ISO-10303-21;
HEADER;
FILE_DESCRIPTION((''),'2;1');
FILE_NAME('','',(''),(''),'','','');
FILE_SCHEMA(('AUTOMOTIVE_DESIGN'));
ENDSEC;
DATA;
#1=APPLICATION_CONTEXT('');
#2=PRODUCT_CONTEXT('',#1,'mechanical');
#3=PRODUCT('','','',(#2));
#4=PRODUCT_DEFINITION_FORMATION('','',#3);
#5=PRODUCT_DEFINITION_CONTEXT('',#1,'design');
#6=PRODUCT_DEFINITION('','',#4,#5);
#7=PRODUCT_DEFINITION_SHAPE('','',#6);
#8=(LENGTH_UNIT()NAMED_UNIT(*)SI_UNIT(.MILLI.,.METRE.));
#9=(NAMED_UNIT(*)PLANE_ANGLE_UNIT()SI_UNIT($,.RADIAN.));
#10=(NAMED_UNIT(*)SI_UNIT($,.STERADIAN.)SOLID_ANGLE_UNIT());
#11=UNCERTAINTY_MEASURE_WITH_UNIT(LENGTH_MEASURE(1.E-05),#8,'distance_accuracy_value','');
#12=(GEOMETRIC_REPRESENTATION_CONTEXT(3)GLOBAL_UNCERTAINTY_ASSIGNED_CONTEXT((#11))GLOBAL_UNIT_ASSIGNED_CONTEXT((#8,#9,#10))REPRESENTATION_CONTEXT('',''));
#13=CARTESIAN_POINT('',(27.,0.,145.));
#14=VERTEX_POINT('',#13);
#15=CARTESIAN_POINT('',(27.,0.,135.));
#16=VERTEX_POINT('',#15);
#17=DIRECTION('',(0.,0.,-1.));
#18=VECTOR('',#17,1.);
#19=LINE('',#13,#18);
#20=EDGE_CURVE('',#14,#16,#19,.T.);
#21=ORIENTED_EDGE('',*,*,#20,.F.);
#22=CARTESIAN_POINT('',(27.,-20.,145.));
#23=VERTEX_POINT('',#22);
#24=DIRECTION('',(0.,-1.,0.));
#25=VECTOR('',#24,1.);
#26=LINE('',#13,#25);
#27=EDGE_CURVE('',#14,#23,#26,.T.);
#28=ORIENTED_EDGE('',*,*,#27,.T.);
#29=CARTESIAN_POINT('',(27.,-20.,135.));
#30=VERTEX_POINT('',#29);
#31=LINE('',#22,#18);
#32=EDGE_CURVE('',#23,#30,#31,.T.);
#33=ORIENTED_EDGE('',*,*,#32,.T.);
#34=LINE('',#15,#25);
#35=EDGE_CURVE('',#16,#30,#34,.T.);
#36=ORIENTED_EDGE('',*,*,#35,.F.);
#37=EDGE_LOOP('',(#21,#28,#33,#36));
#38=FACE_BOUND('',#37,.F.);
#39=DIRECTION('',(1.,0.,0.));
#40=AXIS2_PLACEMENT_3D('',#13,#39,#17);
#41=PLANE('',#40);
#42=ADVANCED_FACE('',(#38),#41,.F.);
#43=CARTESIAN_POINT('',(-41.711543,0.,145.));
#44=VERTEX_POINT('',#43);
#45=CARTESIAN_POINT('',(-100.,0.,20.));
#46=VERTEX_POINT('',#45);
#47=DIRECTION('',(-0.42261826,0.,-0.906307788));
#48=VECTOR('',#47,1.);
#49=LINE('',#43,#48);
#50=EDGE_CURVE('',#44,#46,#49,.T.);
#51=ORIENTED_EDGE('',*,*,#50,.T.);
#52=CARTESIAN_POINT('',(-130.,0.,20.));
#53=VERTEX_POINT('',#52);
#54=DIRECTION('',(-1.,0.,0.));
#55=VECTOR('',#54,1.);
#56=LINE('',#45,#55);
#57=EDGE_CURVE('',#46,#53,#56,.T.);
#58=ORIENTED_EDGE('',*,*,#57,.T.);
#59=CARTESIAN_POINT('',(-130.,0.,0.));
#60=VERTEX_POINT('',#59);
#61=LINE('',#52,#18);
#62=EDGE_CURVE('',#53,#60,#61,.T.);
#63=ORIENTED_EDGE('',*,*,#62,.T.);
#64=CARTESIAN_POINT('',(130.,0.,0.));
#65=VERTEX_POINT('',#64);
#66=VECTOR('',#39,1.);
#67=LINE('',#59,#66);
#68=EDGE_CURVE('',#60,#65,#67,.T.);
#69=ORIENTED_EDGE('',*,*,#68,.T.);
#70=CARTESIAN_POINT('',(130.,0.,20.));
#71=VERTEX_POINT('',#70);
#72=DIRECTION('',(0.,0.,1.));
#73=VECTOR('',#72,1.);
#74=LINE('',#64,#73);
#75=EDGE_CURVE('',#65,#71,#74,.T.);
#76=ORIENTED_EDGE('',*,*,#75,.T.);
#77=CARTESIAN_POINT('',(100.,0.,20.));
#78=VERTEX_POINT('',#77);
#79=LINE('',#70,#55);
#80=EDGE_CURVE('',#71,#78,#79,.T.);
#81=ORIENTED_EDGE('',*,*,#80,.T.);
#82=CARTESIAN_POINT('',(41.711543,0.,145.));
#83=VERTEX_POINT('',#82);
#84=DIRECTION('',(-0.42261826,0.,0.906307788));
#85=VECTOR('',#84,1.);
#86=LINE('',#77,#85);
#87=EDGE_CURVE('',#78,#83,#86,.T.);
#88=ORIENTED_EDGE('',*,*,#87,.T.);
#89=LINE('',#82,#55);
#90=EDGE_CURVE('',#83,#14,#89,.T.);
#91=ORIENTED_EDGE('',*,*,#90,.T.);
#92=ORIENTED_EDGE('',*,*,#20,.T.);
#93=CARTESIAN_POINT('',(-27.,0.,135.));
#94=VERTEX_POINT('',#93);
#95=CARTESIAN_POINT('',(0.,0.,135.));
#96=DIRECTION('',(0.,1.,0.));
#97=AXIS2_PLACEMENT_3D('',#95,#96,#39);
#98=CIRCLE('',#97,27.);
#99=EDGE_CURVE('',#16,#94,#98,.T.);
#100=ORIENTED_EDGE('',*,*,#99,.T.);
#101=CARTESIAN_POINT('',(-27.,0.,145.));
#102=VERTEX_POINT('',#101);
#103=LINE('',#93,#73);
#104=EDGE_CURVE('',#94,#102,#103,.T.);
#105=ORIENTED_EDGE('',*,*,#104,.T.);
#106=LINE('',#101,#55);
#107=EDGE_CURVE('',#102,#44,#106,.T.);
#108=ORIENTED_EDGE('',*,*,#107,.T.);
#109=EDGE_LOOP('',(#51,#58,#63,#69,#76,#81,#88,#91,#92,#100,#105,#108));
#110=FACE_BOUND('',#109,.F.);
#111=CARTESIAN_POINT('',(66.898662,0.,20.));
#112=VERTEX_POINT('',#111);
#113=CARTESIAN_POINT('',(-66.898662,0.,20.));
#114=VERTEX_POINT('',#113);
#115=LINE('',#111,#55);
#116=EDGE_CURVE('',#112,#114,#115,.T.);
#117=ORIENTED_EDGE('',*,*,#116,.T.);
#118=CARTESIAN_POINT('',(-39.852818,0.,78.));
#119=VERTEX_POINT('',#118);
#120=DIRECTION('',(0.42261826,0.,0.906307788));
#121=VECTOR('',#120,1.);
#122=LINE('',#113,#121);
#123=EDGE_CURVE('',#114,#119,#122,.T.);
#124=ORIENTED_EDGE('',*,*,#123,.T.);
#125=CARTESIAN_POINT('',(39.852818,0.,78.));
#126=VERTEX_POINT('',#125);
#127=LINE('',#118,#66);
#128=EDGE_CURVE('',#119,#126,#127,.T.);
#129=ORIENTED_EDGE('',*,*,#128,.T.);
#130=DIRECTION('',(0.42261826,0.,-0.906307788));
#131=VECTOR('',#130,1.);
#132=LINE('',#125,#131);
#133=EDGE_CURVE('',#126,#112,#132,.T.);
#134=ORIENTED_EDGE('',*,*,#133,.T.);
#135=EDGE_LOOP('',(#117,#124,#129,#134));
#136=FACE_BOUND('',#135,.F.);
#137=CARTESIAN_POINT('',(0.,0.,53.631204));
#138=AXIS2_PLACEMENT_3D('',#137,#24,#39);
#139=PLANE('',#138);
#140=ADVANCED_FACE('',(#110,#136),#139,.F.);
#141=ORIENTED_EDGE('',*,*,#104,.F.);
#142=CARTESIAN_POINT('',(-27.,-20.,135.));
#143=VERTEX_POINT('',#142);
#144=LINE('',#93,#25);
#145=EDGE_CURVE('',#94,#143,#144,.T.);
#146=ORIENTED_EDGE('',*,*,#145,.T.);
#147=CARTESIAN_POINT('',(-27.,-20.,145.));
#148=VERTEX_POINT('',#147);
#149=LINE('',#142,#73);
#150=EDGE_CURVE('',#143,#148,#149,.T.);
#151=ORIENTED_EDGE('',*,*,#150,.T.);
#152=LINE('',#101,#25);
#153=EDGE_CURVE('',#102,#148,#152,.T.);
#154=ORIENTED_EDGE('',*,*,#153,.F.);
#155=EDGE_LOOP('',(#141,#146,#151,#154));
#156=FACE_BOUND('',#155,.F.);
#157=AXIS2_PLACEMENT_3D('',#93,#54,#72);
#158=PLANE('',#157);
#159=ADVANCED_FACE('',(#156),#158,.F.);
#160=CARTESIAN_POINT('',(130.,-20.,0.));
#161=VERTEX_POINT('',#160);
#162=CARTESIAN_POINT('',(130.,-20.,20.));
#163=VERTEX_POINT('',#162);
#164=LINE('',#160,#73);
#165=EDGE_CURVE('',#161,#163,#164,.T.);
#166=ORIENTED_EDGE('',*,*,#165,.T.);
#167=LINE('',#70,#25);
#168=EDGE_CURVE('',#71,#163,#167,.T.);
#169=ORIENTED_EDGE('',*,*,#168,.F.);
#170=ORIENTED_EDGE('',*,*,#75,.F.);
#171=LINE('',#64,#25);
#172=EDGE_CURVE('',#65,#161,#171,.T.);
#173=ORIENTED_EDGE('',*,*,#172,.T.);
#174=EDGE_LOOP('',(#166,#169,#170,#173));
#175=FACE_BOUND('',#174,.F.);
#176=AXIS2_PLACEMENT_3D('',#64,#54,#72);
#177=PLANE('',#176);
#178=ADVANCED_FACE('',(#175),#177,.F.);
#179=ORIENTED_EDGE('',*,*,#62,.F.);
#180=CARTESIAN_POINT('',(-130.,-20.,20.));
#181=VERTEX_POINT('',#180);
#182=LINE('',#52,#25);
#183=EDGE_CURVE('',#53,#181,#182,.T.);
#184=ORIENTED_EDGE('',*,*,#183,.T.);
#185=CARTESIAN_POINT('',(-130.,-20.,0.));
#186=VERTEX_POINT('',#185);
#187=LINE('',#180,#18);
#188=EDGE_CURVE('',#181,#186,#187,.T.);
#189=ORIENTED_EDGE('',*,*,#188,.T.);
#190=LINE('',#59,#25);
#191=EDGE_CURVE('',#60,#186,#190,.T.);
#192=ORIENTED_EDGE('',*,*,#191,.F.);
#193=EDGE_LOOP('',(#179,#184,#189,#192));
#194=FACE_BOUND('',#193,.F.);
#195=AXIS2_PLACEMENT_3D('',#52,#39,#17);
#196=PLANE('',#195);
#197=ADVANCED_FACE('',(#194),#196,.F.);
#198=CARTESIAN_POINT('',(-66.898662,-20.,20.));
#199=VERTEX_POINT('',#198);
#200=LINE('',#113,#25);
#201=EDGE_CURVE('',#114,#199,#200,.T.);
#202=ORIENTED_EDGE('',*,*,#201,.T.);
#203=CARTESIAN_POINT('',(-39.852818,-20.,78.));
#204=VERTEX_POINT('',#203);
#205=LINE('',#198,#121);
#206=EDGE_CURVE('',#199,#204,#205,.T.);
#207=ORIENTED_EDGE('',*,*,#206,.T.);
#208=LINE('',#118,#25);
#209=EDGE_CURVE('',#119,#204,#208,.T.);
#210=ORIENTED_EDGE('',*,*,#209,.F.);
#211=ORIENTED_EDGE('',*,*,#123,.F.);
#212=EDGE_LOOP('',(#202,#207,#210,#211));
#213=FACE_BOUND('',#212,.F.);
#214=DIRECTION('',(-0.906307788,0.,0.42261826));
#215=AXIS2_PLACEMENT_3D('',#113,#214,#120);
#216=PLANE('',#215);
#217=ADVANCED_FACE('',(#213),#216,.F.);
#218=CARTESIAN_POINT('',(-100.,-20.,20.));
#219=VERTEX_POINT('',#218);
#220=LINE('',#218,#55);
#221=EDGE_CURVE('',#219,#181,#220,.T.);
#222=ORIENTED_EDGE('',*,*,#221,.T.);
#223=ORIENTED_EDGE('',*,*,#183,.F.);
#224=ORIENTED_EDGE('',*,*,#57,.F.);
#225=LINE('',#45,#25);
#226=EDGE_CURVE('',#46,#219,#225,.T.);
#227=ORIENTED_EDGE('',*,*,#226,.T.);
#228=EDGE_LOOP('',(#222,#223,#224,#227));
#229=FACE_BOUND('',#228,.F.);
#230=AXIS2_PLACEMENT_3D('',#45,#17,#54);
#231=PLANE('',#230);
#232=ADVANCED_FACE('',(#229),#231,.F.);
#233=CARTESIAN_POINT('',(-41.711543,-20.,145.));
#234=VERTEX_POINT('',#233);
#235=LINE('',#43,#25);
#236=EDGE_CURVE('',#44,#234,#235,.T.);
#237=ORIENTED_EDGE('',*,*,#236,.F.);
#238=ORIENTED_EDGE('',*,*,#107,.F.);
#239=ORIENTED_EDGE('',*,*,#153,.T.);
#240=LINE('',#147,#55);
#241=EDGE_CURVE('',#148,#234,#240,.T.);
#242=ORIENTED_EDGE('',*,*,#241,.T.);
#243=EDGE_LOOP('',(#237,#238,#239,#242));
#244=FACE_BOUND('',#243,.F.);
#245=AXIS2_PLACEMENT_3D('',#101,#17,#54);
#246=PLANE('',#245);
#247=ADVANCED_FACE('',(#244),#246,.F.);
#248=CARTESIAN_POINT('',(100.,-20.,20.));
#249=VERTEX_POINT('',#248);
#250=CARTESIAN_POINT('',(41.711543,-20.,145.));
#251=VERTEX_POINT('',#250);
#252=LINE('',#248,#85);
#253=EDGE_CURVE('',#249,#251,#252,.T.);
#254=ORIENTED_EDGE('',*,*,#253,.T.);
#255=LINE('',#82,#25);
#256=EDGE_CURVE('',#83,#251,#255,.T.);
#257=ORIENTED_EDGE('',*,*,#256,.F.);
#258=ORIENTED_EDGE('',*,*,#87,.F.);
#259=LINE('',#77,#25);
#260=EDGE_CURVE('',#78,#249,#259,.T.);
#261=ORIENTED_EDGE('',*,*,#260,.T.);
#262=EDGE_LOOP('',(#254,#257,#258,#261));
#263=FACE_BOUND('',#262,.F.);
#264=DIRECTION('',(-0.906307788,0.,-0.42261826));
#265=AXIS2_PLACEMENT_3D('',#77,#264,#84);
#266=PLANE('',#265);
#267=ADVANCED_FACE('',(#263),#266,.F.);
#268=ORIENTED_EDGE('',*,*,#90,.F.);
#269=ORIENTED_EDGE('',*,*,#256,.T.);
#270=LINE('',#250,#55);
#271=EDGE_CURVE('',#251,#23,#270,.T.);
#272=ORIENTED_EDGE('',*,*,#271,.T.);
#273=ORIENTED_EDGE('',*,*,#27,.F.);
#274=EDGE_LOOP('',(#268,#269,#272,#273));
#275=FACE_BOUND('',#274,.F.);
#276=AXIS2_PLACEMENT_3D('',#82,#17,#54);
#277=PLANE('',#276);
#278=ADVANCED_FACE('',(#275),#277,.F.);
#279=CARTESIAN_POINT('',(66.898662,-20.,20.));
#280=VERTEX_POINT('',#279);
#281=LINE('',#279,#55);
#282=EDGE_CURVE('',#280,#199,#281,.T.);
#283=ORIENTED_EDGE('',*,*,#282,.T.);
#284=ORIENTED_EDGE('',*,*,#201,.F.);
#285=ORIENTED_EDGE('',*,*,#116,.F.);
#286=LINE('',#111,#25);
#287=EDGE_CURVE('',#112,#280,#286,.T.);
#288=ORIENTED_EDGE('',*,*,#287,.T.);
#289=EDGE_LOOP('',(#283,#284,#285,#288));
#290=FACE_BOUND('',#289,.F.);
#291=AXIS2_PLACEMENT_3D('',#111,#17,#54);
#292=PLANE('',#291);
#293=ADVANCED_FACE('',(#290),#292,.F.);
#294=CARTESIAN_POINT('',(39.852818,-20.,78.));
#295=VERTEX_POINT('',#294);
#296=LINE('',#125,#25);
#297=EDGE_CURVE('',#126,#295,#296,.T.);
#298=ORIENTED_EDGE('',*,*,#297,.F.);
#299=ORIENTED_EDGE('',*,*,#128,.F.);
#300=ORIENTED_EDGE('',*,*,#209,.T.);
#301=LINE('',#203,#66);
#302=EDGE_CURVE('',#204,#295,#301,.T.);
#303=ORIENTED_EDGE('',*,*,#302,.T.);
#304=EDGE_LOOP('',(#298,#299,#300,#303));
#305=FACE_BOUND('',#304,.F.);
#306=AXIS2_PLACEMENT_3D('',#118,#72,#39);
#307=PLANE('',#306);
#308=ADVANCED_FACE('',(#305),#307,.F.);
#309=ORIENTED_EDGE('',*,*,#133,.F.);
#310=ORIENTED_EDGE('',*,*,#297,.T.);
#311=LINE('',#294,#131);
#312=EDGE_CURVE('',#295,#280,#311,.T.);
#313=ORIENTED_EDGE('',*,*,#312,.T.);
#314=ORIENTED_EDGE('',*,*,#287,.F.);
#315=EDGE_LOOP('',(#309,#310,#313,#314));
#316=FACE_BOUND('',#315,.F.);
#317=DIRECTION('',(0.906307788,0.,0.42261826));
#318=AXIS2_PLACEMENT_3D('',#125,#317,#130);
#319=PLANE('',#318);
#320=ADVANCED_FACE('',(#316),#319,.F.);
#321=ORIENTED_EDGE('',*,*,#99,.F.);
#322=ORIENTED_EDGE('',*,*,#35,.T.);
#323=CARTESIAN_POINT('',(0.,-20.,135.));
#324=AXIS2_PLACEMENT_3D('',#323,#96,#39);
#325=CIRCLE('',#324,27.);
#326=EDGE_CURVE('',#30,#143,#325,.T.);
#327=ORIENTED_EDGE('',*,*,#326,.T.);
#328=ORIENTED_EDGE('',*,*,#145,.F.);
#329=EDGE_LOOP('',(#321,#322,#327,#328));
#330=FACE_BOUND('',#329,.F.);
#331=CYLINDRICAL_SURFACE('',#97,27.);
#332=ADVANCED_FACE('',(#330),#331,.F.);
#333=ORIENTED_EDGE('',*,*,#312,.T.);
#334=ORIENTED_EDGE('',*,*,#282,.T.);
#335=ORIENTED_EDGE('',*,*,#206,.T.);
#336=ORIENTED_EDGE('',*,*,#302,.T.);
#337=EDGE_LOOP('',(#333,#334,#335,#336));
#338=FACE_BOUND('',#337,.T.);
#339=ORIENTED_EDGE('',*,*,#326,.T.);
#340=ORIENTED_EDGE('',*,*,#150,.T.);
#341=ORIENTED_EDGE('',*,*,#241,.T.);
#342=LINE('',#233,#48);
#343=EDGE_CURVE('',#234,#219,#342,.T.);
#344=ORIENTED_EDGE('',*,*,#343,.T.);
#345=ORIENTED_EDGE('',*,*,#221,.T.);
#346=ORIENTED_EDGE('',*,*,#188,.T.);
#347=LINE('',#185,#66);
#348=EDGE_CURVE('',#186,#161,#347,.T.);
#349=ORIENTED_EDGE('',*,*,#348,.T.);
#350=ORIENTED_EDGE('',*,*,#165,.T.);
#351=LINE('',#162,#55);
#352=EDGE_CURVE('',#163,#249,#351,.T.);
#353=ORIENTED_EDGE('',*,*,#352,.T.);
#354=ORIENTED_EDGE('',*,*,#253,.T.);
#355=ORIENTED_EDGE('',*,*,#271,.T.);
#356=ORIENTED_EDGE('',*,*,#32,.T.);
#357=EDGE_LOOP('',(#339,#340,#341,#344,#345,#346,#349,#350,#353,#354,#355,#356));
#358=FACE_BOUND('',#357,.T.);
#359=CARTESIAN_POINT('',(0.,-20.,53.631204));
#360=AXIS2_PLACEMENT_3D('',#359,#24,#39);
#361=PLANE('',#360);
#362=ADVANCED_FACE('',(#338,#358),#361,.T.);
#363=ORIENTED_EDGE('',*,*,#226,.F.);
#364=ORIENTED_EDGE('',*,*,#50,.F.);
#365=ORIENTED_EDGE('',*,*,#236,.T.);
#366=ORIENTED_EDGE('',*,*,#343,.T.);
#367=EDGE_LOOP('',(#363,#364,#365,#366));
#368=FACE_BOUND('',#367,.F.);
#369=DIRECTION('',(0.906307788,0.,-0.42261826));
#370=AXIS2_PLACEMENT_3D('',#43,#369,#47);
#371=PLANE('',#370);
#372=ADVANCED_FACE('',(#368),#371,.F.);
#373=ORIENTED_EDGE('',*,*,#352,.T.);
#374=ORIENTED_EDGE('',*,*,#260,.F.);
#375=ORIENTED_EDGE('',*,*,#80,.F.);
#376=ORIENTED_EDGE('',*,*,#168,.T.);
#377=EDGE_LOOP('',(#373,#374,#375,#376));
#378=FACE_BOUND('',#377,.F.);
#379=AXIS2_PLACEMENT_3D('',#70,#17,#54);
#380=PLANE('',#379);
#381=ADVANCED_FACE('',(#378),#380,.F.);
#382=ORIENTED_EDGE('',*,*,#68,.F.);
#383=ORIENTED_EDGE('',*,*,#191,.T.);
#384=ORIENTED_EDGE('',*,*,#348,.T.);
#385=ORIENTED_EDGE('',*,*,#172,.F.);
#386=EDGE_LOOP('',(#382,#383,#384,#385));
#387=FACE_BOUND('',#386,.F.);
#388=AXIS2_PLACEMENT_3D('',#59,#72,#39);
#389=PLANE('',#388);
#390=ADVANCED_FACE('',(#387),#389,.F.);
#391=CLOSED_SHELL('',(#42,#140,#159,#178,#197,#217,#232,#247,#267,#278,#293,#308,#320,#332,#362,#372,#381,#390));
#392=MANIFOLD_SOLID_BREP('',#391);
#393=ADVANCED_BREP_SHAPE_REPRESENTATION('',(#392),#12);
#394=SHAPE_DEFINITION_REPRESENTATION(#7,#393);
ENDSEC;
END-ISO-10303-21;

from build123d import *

# Parameters (mm, degrees)
F2_DEPTH = 20


with BuildPart() as f2:
    # F1 (on Front) → F2 (new body)
    with BuildSketch(Plane.XZ):
        with BuildLine():
            Line((-130, 20), (-130, 0))
            Line((-130, 0), (130, 0))
            Line((130, 0), (130, 20))
            Line((130, 20), (100, 20))
            Line((100, 20), (41.711543, 145))
            Line((41.711543, 145), (27, 145))
            Line((27, 145), (27, 135))
            ThreePointArc((27, 135), (0, 108), (-27, 135))
            Line((-27, 135), (-27, 145))
            Line((-27, 145), (-41.711543, 145))
            Line((-41.711543, 145), (-100, 20))
            Line((-100, 20), (-130, 20))
        make_face()
        Polygon((66.898662, 20), (-66.898662, 20), (-39.852818, 78), (39.852818, 78), align=None, mode=Mode.SUBTRACT)
    extrude(amount=F2_DEPTH)


solid = f2.part
